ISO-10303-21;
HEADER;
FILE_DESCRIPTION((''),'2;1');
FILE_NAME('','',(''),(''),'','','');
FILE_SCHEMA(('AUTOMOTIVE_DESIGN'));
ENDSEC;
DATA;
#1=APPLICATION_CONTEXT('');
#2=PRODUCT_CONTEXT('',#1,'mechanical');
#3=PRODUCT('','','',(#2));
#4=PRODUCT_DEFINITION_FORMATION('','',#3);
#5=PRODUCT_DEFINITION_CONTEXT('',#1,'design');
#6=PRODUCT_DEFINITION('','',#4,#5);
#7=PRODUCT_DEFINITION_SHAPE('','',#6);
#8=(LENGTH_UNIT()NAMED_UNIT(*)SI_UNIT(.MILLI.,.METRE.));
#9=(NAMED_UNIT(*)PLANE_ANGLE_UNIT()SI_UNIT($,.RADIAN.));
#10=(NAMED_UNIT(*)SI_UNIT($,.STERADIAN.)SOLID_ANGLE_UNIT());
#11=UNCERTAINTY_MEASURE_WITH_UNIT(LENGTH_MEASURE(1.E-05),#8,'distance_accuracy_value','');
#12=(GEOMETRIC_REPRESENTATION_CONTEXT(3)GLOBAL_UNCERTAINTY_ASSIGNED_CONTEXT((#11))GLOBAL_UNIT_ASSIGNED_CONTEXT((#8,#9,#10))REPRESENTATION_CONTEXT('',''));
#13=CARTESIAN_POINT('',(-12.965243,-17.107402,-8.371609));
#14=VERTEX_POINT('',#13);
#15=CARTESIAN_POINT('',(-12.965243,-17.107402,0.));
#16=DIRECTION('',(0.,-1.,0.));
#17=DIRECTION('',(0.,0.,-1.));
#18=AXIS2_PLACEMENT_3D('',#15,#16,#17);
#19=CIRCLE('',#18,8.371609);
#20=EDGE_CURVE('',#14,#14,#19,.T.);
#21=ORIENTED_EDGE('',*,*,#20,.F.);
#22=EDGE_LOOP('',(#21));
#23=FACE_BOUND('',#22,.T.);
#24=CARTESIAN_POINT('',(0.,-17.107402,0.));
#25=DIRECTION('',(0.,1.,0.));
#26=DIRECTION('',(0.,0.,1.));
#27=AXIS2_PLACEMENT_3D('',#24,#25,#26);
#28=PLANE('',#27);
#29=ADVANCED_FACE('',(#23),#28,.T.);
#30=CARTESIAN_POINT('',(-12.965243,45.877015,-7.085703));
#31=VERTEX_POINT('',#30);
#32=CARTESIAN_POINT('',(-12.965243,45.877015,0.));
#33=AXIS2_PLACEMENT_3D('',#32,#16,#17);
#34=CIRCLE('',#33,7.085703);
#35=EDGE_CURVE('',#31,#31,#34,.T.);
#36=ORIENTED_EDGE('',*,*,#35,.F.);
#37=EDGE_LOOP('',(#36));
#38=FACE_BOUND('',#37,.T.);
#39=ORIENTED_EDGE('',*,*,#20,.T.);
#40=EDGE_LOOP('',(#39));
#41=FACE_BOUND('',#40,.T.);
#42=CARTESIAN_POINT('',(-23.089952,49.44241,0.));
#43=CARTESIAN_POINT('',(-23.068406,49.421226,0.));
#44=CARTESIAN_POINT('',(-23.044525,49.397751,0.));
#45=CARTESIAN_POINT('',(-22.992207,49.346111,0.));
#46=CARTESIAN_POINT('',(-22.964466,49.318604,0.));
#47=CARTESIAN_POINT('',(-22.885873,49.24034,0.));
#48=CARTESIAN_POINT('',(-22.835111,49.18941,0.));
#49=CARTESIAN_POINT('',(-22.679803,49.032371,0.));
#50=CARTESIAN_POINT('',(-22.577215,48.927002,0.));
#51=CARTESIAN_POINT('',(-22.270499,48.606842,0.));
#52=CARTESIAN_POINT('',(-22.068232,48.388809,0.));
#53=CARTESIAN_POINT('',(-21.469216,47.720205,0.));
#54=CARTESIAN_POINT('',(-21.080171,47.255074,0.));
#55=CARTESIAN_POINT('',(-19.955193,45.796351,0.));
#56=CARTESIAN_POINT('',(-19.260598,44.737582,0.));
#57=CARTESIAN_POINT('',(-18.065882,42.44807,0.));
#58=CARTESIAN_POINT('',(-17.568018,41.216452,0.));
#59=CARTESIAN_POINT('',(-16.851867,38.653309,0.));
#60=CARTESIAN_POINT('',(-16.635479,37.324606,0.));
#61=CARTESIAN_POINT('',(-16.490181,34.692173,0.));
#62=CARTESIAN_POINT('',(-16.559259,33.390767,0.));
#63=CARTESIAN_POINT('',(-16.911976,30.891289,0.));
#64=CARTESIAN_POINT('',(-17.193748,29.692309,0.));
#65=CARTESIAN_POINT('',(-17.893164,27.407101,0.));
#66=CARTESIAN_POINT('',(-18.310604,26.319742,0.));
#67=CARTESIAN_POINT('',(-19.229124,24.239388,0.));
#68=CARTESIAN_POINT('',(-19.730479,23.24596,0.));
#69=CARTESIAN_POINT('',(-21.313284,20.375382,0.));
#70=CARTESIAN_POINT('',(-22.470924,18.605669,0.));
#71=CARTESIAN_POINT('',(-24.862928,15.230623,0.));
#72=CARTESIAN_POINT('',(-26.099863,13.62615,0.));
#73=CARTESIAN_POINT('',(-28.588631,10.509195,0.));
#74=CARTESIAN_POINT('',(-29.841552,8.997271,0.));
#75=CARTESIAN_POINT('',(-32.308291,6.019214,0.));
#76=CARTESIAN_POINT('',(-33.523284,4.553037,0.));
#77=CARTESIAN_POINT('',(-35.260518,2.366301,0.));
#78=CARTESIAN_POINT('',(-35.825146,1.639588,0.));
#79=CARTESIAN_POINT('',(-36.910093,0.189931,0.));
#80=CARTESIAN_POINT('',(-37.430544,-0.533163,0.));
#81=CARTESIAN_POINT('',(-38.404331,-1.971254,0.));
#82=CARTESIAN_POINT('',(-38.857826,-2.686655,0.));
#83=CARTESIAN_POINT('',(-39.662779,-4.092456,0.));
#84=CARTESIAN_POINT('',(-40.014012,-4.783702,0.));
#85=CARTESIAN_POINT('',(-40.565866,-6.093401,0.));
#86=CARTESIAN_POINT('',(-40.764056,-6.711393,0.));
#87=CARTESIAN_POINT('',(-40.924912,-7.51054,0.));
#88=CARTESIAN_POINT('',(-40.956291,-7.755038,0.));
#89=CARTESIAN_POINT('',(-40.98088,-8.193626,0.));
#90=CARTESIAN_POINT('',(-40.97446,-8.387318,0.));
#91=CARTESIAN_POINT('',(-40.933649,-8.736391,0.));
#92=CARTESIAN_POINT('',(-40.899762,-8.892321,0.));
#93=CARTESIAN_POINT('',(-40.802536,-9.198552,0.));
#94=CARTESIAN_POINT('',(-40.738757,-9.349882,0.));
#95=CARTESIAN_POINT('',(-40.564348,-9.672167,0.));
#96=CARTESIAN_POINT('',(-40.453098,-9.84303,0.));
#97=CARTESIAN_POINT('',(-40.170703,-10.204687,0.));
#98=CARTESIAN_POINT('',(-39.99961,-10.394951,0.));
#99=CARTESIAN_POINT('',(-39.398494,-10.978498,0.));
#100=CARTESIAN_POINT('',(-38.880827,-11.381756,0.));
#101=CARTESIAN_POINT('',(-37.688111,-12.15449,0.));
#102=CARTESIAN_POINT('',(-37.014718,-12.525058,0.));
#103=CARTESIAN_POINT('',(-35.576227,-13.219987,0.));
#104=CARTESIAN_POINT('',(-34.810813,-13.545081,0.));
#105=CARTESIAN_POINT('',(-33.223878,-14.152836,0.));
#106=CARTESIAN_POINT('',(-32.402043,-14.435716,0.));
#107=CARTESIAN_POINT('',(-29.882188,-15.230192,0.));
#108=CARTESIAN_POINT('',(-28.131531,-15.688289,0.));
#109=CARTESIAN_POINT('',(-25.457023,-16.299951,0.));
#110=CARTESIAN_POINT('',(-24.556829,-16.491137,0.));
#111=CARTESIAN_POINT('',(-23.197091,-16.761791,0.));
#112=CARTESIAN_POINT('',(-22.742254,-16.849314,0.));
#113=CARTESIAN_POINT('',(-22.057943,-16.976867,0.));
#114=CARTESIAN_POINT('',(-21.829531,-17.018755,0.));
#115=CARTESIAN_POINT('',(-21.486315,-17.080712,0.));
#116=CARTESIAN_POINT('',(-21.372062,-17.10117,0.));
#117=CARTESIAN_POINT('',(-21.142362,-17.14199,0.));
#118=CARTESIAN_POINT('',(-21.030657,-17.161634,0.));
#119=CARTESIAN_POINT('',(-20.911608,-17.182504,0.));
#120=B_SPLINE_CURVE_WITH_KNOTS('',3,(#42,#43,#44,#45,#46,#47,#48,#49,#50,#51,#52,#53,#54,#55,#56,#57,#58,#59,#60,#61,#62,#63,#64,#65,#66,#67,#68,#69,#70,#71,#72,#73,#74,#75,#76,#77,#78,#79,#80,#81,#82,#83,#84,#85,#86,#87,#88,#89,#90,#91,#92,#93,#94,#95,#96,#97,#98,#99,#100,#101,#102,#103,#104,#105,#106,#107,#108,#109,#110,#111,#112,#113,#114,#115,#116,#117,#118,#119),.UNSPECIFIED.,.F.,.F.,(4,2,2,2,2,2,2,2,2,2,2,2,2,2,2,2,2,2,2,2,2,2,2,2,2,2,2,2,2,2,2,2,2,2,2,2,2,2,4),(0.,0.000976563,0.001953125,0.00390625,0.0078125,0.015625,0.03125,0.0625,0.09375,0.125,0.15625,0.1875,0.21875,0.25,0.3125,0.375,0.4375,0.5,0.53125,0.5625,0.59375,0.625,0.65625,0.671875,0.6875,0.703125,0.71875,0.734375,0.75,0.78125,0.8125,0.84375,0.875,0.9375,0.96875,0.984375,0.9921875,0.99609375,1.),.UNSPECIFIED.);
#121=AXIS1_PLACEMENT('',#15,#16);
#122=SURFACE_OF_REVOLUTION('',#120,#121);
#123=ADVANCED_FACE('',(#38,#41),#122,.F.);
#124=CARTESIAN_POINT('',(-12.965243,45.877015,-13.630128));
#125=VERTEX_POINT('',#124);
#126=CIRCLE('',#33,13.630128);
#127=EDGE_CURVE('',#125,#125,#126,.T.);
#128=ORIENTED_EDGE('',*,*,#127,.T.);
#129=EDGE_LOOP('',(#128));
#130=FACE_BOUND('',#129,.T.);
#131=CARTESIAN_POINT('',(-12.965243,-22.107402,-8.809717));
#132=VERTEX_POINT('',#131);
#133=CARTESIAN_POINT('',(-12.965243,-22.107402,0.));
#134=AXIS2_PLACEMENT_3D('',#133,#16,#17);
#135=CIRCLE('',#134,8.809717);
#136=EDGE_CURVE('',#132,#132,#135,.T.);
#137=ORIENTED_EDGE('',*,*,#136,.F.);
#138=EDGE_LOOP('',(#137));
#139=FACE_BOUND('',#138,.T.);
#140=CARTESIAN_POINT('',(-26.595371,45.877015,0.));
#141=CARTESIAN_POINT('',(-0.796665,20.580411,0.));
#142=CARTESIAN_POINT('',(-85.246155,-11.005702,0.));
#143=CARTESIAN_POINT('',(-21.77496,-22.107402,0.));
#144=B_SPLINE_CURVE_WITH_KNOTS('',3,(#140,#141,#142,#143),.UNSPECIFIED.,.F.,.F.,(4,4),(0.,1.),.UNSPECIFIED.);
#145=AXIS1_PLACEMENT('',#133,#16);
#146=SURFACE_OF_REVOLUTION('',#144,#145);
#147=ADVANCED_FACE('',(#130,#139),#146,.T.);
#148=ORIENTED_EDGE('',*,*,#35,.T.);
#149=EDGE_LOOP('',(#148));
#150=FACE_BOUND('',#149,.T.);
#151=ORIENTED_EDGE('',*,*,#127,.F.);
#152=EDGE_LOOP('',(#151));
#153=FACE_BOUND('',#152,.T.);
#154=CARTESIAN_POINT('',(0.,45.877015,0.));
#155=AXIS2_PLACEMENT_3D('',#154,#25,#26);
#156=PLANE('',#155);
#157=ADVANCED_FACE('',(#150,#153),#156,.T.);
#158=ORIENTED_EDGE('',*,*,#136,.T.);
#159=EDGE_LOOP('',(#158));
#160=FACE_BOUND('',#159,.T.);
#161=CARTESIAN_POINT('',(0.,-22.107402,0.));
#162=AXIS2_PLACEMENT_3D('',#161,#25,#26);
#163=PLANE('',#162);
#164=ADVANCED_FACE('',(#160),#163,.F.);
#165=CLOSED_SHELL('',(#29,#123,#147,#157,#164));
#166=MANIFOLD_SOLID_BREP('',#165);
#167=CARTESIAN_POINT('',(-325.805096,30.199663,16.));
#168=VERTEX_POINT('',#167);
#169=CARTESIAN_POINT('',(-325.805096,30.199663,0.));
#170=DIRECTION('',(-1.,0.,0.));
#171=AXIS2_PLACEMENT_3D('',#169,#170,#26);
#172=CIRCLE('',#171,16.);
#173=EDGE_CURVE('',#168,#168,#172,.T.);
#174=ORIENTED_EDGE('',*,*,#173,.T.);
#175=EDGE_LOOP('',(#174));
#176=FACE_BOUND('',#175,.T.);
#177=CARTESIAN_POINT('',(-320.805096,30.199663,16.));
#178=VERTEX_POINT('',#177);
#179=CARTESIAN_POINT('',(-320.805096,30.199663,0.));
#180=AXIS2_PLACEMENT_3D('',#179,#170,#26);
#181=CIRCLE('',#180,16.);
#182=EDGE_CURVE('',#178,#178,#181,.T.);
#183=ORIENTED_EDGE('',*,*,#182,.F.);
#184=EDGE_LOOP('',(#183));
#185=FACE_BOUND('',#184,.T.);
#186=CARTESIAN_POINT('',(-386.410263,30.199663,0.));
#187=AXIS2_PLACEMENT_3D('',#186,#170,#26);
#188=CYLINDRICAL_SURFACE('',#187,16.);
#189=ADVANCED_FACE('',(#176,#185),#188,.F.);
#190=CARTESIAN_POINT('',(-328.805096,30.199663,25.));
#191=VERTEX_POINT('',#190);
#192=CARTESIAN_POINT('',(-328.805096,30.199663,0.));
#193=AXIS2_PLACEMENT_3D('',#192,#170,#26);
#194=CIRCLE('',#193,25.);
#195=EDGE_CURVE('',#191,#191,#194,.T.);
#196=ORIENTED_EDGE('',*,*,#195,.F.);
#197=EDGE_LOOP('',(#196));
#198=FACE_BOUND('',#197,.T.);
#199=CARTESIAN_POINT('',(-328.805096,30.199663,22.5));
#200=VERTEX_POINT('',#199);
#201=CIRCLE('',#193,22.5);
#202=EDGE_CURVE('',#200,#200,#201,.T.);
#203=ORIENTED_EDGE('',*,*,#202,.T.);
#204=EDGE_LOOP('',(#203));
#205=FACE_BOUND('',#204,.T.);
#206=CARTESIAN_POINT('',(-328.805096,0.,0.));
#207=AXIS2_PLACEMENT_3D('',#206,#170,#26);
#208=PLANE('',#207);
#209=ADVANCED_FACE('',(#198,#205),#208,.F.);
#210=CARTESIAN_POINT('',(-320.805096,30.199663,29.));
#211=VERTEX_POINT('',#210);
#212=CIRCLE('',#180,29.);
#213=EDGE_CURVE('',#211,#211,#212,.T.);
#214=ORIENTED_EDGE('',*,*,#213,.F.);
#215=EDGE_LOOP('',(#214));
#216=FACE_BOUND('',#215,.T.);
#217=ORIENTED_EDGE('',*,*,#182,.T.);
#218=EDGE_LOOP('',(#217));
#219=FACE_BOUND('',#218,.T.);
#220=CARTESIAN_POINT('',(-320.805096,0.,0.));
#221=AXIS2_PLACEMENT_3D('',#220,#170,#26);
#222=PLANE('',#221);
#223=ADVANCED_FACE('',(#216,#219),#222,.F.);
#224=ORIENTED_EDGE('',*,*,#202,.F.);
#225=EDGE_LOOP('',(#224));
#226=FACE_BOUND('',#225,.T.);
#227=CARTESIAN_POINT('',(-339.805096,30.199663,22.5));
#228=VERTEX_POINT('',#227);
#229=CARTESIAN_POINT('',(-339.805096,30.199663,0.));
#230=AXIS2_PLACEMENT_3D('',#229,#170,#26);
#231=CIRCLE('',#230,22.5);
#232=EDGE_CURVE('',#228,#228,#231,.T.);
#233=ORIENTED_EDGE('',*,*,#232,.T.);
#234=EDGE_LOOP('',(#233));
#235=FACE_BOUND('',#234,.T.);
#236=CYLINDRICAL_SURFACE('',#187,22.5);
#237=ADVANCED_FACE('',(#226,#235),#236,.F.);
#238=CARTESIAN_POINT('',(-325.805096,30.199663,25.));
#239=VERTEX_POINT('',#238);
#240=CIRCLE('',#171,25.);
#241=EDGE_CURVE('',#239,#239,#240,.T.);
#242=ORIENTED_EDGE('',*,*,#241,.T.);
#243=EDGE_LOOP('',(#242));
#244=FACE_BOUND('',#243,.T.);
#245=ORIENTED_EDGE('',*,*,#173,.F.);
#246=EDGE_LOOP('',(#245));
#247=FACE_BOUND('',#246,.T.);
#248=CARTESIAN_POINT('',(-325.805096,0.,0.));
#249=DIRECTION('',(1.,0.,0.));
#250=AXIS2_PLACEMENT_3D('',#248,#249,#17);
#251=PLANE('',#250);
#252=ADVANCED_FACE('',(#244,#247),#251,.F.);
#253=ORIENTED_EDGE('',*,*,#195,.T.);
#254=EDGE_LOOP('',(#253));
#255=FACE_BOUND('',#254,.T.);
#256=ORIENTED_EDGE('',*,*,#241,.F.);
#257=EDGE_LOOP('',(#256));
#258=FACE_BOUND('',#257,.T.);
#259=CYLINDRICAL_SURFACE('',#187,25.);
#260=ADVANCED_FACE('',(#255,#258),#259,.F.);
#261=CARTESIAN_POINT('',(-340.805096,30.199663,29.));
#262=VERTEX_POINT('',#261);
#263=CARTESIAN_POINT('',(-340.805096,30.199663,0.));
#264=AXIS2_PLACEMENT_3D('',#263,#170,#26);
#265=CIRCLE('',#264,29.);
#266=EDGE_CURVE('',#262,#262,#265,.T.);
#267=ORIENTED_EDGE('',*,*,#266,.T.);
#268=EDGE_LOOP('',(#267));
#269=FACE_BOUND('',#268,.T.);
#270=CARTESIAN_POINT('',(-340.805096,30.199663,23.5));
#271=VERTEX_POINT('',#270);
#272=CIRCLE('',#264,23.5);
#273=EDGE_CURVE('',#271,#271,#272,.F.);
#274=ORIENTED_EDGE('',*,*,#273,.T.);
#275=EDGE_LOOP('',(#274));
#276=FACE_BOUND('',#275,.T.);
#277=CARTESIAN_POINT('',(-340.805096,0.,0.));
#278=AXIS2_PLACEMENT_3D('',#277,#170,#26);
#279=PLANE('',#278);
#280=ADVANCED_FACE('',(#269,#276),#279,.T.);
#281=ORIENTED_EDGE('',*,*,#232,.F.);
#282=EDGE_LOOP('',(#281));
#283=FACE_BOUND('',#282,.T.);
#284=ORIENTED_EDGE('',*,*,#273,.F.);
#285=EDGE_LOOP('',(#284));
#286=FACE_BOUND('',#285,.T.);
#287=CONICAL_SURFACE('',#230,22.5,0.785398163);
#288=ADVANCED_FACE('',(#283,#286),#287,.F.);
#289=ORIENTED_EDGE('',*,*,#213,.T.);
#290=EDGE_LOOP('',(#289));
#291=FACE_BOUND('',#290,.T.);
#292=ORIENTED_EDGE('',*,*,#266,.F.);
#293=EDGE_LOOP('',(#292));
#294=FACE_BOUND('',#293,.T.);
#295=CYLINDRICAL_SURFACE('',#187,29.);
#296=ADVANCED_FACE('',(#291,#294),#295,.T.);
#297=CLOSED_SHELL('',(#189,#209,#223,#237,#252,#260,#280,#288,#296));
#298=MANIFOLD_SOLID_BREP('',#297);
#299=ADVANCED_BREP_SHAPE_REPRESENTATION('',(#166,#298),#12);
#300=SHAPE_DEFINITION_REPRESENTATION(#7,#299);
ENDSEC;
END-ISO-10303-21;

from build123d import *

# Parameters (mm, degrees)
CHAMFER_1_SIZE = 1


with BuildPart() as part:
    # 草图1 → 旋转1 (revolve)
    with BuildSketch(Plane.XY):
        with BuildLine():
            Line((-26.595370865, 45.877014743), (-12.965243297, 45.877014743))
            Line((-12.965243297, 45.877014743), (-12.965243297, -22.107402032))
            Line((-12.965243297, -22.107402032), (-21.774959896, -22.107402032))
            add(Edge.make_bspline(
                [(-26.595370865, 45.877014743), (-0.79666506, 20.580411041), (-85.246154667, -11.005701732), (-21.774959896, -22.107402032)],
                knots=[0, 0, 0, 0, 1, 1, 1, 1], degree=3))
        make_face()
    revolve(axis=Axis((-12.965243297, -22.107402032, 0), (0, 1, 0)))

    # 草图2 → 切除-旋转1 (revolve, cut)
    with BuildSketch(Plane.XY):
        with BuildLine():
            Line((-21.33685257, -17.107402032), (-12.965243297, -17.107402032))
            Line((-12.965243297, -17.107402032), (-12.965243297, 45.176601137))
            Line((-12.965243297, 45.176601137), (-12.965243297, 45.877014743))
            Line((-12.965243297, 45.877014743), (-15.079937913, 45.877014743))
            Line((-15.079937913, 45.877014743), (-20.050946276, 45.877014743))
            add(Edge.make_bspline(
                [(-20.050946276, 45.877014743), (-19.550092699, 45.15808437), (-19.082694604, 44.396653294), (-18.065882081, 42.448069869), (-17.568018156, 41.216451543), (-16.851866931, 38.653309297), (-16.635479489, 37.324605775), (-16.490180844, 34.692172894), (-16.559259119, 33.390767191), (-16.91197585, 30.891288816), (-17.19374796, 29.692309456), (-17.893163724, 27.407100616), (-18.310604377, 26.319742349), (-19.22912405, 24.239387784), (-19.730478684, 23.245959998), (-21.313284194, 20.375381767), (-22.470924152, 18.605669157), (-24.862928031, 15.230622799), (-26.099862655, 13.626150262), (-28.588631418, 10.509195003), (-29.841552488, 8.997271276), (-32.30829136, 6.019214188), (-33.523283885, 4.553037065), (-35.260517924, 2.366301479), (-35.825145688, 1.639587978), (-36.910093308, 0.189930887), (-37.430544042, -0.533162703), (-38.404330877, -1.971254233), (-38.85782556, -2.686654553), (-39.662779294, -4.092456136), (-40.014012489, -4.78370185), (-40.565865888, -6.093401153), (-40.764055532, -6.711392977), (-40.92491158, -7.510539933), (-40.956290903, -7.755037527), (-40.980879788, -8.193625915), (-40.974460454, -8.387318334), (-40.933649478, -8.736390668), (-40.899762009, -8.892321127), (-40.802536299, -9.198552263), (-40.738757399, -9.349882034), (-40.564347825, -9.672166644), (-40.453097754, -9.843030046), (-40.170702988, -10.204686784), (-39.999609939, -10.39495082), (-39.398493882, -10.978497512), (-38.880826757, -11.381755698), (-37.688110613, -12.154490491), (-37.014717804, -12.525057552), (-35.576226607, -13.219986812), (-34.810812538, -13.545081172), (-33.223877984, -14.152835912), (-32.402042598, -14.435715659), (-29.882187776, -15.230191934), (-28.131531206, -15.688289387), (-25.457022646, -16.299951348), (-24.556828639, -16.49113738), (-23.197090705, -16.761790819), (-22.742253978, -16.849314163), (-22.057942614, -16.976866822), (-21.829530531, -17.018755203), (-21.512788186, -17.075933319), (-21.424945598, -17.091691842), (-21.33685257, -17.107402032)],
                knots=[0.040556796, 0.040556796, 0.040556796, 0.040556796, 0.0625, 0.0625, 0.09375, 0.09375, 0.125, 0.125, 0.15625, 0.15625, 0.1875, 0.1875, 0.21875, 0.21875, 0.25, 0.25, 0.3125, 0.3125, 0.375, 0.375, 0.4375, 0.4375, 0.5, 0.5, 0.53125, 0.53125, 0.5625, 0.5625, 0.59375, 0.59375, 0.625, 0.625, 0.65625, 0.65625, 0.671875, 0.671875, 0.6875, 0.6875, 0.703125, 0.703125, 0.71875, 0.71875, 0.734375, 0.734375, 0.75, 0.75, 0.78125, 0.78125, 0.8125, 0.8125, 0.84375, 0.84375, 0.875, 0.875, 0.9375, 0.9375, 0.96875, 0.96875, 0.984375, 0.984375, 0.9921875, 0.9921875, 0.995189865, 0.995189865, 0.995189865, 0.995189865], degree=3))
        make_face()
    revolve(axis=Axis((-12.965243297, -17.107402032, 0), (0, 1, 0)), mode=Mode.SUBTRACT)


with BuildPart() as body_2:
    # 草图3 → 旋转2 (revolve)
    with BuildSketch(Plane.XY, mode=Mode.PRIVATE) as revolve_2_sk:
        Polygon((-340.805095673, 52.699663326), (-328.805095673, 52.699663326), (-328.805095673, 55.199663326), (-325.805095673, 55.199663326), (-325.805095673, 46.199663326), (-320.805095673, 46.199663326), (-320.805095673, 59.199663326), (-340.805095673, 59.199663326), align=None)
    revolve(revolve_2_sk.sketch.rotate(Axis((-386.410262995, 30.199663326, 0), (1, 0, 0)), 90), axis=Axis((-386.410262995, 30.199663326, 0), (1, 0, 0)))

    # 倒角1
    chamfer_1_edges = [body_2.edges().sort_by_distance(p)[0] for p in [
        (-340.805095673, 30.199663326, -22.5),
    ]]
    chamfer(chamfer_1_edges, length=CHAMFER_1_SIZE)


solid = Compound([part.part, body_2.part])
